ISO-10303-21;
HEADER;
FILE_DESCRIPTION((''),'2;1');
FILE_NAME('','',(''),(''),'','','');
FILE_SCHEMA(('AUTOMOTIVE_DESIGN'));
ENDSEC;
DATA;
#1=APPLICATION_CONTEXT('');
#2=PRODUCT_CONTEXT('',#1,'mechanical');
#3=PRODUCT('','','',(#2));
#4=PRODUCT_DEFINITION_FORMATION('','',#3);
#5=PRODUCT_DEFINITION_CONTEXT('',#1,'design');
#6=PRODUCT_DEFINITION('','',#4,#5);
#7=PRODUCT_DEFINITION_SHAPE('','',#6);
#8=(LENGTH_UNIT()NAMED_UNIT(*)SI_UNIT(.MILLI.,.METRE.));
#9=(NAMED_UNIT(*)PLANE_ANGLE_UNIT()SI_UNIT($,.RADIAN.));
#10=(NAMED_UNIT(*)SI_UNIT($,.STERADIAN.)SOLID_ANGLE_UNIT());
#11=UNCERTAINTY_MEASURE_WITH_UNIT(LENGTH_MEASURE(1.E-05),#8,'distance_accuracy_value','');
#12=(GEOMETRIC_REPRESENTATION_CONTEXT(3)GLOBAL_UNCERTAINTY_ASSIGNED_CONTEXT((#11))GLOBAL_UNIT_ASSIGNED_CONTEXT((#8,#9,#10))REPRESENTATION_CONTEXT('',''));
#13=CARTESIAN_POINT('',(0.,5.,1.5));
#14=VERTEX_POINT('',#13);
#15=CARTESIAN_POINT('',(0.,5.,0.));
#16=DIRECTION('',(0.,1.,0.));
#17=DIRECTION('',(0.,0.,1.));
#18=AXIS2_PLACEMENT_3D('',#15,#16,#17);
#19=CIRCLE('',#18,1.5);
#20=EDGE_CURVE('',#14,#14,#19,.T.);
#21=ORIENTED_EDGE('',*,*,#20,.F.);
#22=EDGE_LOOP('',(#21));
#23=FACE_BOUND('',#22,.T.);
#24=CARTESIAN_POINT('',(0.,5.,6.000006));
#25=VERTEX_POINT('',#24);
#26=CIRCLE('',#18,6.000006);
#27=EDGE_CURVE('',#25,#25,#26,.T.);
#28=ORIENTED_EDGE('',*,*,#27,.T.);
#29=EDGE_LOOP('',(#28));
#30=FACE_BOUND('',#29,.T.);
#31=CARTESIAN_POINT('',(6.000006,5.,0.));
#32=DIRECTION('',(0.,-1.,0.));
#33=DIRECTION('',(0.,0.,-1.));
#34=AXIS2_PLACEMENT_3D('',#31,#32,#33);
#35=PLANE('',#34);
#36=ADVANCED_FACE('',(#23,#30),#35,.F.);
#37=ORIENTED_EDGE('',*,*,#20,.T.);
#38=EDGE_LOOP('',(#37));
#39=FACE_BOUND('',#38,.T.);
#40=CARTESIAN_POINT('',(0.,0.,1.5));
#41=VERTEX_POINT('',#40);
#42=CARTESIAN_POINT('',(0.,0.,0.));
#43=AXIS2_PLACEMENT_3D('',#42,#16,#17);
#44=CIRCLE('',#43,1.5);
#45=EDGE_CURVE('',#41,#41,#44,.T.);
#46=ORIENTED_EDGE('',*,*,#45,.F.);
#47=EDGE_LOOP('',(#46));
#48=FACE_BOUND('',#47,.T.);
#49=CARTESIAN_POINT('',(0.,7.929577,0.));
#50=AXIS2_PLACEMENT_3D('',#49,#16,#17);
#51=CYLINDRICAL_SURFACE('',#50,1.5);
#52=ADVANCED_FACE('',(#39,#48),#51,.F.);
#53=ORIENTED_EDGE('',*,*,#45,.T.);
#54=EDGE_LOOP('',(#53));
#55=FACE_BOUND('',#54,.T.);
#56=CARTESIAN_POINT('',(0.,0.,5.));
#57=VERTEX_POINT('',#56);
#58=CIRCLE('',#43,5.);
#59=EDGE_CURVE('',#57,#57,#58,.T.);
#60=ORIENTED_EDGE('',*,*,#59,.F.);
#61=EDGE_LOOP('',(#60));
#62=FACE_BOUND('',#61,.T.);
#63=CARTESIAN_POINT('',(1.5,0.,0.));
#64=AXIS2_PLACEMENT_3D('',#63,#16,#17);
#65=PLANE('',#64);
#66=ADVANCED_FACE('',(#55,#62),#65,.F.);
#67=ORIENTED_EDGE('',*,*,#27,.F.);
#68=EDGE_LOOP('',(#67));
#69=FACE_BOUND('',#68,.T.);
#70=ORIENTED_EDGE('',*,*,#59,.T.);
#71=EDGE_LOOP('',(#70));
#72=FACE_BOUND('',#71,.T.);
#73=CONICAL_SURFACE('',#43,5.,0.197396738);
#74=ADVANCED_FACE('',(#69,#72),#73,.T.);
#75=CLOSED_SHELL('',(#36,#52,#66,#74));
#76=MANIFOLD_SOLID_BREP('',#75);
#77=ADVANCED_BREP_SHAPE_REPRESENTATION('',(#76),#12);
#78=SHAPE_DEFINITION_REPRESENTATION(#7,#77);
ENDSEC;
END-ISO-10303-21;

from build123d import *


with BuildPart() as part:
    # Sketch1 → Revolve1 (revolve)
    with BuildSketch(Plane.XY, mode=Mode.PRIVATE) as revolve1_sk:
        Polygon((1.5, 0), (5, 0), (6.000006128, 5), (1.5, 5), align=None)
    revolve(revolve1_sk.sketch.rotate(Axis((0, 7.929576713, 0), (0, -1, 0)), 90), axis=Axis((0, 7.929576713, 0), (0, -1, 0)))


solid = part.part
